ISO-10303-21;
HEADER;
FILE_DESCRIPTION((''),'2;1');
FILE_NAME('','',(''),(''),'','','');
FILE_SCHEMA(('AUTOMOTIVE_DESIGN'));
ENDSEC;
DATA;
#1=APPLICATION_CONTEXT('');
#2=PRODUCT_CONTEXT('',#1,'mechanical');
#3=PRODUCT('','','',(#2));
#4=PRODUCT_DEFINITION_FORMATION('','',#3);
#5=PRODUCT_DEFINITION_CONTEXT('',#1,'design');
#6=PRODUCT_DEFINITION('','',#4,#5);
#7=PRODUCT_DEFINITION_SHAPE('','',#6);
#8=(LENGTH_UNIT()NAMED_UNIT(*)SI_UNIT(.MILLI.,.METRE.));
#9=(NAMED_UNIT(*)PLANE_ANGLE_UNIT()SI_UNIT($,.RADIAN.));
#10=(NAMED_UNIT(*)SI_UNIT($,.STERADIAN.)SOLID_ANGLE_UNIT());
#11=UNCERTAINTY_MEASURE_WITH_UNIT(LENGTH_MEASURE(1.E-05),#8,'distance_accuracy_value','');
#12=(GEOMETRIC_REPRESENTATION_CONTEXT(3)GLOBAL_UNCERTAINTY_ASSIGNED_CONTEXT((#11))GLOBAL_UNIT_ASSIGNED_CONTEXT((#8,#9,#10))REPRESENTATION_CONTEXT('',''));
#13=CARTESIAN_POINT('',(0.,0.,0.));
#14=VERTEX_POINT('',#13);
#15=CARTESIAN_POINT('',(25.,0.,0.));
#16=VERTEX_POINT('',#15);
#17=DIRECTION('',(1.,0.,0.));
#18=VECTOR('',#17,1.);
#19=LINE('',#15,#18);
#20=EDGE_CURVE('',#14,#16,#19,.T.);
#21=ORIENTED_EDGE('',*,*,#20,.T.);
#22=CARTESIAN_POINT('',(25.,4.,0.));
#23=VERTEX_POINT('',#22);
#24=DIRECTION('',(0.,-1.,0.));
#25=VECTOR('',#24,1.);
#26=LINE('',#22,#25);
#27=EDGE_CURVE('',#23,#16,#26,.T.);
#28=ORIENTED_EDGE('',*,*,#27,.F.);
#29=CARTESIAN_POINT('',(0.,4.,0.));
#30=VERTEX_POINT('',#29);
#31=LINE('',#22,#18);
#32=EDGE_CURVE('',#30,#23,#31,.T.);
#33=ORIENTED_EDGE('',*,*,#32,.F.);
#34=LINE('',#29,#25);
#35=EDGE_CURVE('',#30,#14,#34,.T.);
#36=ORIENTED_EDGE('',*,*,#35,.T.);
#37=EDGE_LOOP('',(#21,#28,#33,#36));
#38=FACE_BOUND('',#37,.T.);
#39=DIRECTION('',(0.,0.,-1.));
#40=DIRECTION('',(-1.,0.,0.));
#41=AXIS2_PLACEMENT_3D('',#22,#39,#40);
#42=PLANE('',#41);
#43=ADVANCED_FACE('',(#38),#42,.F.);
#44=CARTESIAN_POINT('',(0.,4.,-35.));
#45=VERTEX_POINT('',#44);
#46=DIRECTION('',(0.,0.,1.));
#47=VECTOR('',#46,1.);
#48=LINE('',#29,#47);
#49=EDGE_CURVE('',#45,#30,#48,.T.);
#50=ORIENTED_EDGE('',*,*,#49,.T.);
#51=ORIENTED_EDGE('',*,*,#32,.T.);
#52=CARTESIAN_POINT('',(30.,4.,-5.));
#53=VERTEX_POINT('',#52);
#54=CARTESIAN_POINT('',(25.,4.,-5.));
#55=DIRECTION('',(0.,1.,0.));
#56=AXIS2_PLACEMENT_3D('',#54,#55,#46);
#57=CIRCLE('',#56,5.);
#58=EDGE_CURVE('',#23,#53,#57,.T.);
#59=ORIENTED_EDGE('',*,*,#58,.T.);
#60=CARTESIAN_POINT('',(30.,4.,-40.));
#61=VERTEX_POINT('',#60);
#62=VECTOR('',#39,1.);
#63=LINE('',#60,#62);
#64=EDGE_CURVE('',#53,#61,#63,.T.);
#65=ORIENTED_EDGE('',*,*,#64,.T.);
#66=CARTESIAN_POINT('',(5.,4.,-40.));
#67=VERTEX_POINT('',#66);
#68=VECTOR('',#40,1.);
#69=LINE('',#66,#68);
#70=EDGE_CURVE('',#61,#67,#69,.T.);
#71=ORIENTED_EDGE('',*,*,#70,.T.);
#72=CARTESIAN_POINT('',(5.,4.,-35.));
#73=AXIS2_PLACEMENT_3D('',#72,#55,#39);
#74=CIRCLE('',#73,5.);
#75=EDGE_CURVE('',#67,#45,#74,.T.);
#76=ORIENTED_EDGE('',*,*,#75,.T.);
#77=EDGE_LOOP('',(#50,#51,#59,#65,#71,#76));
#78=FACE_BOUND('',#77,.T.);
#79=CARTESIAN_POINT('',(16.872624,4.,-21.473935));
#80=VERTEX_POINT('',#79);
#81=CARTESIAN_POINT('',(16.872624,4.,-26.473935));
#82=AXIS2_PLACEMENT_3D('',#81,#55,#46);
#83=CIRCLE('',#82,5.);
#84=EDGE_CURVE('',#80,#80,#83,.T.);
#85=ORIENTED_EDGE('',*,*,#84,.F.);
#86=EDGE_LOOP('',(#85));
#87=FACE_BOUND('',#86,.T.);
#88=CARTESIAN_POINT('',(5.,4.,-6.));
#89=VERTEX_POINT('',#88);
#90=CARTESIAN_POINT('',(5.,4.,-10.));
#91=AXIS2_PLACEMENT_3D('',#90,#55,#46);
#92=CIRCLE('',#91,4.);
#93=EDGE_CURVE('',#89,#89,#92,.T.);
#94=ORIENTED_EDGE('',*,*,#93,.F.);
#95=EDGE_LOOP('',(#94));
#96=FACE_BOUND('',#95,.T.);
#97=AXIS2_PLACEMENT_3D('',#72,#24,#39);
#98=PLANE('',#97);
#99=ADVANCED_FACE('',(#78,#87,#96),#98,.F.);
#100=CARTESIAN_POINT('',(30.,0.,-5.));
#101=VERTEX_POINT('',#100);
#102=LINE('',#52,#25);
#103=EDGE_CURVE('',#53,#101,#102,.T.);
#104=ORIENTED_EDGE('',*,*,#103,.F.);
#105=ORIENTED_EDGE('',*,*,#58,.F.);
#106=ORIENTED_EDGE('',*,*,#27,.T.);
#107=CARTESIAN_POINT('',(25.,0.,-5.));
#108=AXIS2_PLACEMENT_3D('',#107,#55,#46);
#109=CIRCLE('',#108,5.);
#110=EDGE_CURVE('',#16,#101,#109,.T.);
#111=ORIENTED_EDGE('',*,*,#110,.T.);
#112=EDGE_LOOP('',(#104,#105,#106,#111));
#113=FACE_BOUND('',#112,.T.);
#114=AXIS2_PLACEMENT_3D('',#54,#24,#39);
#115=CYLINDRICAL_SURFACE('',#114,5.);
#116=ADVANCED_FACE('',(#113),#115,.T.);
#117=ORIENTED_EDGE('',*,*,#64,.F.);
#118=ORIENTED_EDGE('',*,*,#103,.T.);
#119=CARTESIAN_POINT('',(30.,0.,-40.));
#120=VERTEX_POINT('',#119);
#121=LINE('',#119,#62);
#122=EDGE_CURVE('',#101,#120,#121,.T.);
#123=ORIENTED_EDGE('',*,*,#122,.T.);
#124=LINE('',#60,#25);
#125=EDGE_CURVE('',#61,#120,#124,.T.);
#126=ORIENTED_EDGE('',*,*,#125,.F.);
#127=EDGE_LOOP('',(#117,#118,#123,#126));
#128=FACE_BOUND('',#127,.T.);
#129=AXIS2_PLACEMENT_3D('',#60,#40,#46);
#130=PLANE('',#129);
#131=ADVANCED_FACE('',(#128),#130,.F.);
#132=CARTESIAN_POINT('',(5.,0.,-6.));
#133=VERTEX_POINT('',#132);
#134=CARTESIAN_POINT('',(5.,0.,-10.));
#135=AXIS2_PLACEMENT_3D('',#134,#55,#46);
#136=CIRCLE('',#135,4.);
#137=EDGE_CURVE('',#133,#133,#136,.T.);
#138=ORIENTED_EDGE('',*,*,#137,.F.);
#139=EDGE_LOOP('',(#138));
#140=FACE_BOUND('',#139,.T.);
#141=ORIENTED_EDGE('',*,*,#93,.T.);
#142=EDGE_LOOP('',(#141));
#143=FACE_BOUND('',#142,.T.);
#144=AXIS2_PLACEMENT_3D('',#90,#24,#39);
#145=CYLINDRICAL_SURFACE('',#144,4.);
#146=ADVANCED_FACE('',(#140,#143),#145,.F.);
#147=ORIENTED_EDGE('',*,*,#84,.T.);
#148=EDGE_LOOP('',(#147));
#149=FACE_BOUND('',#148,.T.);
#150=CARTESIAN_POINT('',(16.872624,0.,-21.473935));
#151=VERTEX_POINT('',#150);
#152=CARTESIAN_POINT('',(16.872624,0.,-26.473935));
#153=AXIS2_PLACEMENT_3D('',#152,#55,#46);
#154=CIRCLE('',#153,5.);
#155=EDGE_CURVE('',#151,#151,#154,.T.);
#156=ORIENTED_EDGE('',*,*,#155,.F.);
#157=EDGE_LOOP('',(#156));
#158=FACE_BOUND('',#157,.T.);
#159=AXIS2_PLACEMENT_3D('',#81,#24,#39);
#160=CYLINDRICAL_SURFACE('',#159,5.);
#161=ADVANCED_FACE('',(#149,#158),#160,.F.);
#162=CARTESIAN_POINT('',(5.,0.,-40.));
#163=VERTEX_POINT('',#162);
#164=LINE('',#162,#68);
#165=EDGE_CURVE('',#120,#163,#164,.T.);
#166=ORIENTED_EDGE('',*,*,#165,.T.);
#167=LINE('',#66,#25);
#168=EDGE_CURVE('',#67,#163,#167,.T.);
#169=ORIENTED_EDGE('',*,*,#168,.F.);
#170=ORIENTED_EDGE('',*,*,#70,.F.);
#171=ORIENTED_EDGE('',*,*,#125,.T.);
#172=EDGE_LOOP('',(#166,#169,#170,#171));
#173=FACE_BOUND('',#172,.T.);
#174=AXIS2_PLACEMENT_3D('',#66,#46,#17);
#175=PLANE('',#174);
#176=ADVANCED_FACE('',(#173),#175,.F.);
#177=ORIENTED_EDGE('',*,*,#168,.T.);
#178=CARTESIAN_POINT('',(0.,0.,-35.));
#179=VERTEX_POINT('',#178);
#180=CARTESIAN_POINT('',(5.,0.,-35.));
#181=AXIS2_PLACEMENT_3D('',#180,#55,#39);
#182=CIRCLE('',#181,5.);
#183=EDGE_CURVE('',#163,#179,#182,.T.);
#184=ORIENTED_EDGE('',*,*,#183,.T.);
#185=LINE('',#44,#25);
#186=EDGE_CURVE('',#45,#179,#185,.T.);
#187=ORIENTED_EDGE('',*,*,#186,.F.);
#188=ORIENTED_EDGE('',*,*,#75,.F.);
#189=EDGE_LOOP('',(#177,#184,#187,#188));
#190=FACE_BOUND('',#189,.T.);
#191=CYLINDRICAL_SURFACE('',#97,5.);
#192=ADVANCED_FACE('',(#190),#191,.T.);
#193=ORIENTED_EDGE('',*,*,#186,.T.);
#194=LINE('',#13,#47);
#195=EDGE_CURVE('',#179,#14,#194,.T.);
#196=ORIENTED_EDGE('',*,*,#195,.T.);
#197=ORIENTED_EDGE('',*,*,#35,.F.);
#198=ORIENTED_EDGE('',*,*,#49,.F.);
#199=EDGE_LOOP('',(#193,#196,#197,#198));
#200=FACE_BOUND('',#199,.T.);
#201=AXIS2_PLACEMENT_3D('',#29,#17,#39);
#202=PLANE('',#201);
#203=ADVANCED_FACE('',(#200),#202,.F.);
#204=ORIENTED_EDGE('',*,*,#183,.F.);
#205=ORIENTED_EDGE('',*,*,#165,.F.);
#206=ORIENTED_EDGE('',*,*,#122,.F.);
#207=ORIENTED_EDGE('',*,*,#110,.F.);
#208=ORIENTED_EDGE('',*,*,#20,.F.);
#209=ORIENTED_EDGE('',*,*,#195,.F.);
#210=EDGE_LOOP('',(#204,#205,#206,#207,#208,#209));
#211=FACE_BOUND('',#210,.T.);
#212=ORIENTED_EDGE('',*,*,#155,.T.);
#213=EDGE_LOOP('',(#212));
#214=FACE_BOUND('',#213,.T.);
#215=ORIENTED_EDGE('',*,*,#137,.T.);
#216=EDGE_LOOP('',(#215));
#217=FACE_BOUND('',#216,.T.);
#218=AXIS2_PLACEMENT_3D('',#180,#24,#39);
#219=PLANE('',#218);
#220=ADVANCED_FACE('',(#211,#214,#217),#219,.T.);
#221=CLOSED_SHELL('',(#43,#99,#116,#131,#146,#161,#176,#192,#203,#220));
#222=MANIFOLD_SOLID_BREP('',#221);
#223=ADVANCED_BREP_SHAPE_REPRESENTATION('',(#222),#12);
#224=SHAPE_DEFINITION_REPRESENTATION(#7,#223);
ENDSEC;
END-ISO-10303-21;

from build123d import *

# Parameters (mm, degrees)
SKETCH1_R           = 4
SKETCH1_R_2         = 5
BOSS_EXTRUDE1_DEPTH = 4


with BuildPart() as part:
    # Sketch1 → Boss-Extrude1 (new body)
    with BuildSketch(Plane(origin=(0, 0, 0), x_dir=(1, 0, 0), z_dir=(0, 1, 0))):
        with BuildLine():
            Line((0, 0), (0, 35))
            ThreePointArc((0, 35), (1.464466094, 38.535533906), (5, 40))
            Line((5, 40), (30, 40))
            Line((30, 40), (30, 5))
            ThreePointArc((30, 5), (28.535533906, 1.464466094), (25, 0))
            Line((25, 0), (0, 0))
        make_face()
        with Locations(Location((5, 10, 0), (0, 0, 270))):
            Circle(SKETCH1_R, mode=Mode.SUBTRACT)
        with Locations(Location((16.872624387, 26.473934758, 0), (0, 0, 270))):
            Circle(SKETCH1_R_2, mode=Mode.SUBTRACT)
    extrude(amount=BOSS_EXTRUDE1_DEPTH)


solid = part.part
